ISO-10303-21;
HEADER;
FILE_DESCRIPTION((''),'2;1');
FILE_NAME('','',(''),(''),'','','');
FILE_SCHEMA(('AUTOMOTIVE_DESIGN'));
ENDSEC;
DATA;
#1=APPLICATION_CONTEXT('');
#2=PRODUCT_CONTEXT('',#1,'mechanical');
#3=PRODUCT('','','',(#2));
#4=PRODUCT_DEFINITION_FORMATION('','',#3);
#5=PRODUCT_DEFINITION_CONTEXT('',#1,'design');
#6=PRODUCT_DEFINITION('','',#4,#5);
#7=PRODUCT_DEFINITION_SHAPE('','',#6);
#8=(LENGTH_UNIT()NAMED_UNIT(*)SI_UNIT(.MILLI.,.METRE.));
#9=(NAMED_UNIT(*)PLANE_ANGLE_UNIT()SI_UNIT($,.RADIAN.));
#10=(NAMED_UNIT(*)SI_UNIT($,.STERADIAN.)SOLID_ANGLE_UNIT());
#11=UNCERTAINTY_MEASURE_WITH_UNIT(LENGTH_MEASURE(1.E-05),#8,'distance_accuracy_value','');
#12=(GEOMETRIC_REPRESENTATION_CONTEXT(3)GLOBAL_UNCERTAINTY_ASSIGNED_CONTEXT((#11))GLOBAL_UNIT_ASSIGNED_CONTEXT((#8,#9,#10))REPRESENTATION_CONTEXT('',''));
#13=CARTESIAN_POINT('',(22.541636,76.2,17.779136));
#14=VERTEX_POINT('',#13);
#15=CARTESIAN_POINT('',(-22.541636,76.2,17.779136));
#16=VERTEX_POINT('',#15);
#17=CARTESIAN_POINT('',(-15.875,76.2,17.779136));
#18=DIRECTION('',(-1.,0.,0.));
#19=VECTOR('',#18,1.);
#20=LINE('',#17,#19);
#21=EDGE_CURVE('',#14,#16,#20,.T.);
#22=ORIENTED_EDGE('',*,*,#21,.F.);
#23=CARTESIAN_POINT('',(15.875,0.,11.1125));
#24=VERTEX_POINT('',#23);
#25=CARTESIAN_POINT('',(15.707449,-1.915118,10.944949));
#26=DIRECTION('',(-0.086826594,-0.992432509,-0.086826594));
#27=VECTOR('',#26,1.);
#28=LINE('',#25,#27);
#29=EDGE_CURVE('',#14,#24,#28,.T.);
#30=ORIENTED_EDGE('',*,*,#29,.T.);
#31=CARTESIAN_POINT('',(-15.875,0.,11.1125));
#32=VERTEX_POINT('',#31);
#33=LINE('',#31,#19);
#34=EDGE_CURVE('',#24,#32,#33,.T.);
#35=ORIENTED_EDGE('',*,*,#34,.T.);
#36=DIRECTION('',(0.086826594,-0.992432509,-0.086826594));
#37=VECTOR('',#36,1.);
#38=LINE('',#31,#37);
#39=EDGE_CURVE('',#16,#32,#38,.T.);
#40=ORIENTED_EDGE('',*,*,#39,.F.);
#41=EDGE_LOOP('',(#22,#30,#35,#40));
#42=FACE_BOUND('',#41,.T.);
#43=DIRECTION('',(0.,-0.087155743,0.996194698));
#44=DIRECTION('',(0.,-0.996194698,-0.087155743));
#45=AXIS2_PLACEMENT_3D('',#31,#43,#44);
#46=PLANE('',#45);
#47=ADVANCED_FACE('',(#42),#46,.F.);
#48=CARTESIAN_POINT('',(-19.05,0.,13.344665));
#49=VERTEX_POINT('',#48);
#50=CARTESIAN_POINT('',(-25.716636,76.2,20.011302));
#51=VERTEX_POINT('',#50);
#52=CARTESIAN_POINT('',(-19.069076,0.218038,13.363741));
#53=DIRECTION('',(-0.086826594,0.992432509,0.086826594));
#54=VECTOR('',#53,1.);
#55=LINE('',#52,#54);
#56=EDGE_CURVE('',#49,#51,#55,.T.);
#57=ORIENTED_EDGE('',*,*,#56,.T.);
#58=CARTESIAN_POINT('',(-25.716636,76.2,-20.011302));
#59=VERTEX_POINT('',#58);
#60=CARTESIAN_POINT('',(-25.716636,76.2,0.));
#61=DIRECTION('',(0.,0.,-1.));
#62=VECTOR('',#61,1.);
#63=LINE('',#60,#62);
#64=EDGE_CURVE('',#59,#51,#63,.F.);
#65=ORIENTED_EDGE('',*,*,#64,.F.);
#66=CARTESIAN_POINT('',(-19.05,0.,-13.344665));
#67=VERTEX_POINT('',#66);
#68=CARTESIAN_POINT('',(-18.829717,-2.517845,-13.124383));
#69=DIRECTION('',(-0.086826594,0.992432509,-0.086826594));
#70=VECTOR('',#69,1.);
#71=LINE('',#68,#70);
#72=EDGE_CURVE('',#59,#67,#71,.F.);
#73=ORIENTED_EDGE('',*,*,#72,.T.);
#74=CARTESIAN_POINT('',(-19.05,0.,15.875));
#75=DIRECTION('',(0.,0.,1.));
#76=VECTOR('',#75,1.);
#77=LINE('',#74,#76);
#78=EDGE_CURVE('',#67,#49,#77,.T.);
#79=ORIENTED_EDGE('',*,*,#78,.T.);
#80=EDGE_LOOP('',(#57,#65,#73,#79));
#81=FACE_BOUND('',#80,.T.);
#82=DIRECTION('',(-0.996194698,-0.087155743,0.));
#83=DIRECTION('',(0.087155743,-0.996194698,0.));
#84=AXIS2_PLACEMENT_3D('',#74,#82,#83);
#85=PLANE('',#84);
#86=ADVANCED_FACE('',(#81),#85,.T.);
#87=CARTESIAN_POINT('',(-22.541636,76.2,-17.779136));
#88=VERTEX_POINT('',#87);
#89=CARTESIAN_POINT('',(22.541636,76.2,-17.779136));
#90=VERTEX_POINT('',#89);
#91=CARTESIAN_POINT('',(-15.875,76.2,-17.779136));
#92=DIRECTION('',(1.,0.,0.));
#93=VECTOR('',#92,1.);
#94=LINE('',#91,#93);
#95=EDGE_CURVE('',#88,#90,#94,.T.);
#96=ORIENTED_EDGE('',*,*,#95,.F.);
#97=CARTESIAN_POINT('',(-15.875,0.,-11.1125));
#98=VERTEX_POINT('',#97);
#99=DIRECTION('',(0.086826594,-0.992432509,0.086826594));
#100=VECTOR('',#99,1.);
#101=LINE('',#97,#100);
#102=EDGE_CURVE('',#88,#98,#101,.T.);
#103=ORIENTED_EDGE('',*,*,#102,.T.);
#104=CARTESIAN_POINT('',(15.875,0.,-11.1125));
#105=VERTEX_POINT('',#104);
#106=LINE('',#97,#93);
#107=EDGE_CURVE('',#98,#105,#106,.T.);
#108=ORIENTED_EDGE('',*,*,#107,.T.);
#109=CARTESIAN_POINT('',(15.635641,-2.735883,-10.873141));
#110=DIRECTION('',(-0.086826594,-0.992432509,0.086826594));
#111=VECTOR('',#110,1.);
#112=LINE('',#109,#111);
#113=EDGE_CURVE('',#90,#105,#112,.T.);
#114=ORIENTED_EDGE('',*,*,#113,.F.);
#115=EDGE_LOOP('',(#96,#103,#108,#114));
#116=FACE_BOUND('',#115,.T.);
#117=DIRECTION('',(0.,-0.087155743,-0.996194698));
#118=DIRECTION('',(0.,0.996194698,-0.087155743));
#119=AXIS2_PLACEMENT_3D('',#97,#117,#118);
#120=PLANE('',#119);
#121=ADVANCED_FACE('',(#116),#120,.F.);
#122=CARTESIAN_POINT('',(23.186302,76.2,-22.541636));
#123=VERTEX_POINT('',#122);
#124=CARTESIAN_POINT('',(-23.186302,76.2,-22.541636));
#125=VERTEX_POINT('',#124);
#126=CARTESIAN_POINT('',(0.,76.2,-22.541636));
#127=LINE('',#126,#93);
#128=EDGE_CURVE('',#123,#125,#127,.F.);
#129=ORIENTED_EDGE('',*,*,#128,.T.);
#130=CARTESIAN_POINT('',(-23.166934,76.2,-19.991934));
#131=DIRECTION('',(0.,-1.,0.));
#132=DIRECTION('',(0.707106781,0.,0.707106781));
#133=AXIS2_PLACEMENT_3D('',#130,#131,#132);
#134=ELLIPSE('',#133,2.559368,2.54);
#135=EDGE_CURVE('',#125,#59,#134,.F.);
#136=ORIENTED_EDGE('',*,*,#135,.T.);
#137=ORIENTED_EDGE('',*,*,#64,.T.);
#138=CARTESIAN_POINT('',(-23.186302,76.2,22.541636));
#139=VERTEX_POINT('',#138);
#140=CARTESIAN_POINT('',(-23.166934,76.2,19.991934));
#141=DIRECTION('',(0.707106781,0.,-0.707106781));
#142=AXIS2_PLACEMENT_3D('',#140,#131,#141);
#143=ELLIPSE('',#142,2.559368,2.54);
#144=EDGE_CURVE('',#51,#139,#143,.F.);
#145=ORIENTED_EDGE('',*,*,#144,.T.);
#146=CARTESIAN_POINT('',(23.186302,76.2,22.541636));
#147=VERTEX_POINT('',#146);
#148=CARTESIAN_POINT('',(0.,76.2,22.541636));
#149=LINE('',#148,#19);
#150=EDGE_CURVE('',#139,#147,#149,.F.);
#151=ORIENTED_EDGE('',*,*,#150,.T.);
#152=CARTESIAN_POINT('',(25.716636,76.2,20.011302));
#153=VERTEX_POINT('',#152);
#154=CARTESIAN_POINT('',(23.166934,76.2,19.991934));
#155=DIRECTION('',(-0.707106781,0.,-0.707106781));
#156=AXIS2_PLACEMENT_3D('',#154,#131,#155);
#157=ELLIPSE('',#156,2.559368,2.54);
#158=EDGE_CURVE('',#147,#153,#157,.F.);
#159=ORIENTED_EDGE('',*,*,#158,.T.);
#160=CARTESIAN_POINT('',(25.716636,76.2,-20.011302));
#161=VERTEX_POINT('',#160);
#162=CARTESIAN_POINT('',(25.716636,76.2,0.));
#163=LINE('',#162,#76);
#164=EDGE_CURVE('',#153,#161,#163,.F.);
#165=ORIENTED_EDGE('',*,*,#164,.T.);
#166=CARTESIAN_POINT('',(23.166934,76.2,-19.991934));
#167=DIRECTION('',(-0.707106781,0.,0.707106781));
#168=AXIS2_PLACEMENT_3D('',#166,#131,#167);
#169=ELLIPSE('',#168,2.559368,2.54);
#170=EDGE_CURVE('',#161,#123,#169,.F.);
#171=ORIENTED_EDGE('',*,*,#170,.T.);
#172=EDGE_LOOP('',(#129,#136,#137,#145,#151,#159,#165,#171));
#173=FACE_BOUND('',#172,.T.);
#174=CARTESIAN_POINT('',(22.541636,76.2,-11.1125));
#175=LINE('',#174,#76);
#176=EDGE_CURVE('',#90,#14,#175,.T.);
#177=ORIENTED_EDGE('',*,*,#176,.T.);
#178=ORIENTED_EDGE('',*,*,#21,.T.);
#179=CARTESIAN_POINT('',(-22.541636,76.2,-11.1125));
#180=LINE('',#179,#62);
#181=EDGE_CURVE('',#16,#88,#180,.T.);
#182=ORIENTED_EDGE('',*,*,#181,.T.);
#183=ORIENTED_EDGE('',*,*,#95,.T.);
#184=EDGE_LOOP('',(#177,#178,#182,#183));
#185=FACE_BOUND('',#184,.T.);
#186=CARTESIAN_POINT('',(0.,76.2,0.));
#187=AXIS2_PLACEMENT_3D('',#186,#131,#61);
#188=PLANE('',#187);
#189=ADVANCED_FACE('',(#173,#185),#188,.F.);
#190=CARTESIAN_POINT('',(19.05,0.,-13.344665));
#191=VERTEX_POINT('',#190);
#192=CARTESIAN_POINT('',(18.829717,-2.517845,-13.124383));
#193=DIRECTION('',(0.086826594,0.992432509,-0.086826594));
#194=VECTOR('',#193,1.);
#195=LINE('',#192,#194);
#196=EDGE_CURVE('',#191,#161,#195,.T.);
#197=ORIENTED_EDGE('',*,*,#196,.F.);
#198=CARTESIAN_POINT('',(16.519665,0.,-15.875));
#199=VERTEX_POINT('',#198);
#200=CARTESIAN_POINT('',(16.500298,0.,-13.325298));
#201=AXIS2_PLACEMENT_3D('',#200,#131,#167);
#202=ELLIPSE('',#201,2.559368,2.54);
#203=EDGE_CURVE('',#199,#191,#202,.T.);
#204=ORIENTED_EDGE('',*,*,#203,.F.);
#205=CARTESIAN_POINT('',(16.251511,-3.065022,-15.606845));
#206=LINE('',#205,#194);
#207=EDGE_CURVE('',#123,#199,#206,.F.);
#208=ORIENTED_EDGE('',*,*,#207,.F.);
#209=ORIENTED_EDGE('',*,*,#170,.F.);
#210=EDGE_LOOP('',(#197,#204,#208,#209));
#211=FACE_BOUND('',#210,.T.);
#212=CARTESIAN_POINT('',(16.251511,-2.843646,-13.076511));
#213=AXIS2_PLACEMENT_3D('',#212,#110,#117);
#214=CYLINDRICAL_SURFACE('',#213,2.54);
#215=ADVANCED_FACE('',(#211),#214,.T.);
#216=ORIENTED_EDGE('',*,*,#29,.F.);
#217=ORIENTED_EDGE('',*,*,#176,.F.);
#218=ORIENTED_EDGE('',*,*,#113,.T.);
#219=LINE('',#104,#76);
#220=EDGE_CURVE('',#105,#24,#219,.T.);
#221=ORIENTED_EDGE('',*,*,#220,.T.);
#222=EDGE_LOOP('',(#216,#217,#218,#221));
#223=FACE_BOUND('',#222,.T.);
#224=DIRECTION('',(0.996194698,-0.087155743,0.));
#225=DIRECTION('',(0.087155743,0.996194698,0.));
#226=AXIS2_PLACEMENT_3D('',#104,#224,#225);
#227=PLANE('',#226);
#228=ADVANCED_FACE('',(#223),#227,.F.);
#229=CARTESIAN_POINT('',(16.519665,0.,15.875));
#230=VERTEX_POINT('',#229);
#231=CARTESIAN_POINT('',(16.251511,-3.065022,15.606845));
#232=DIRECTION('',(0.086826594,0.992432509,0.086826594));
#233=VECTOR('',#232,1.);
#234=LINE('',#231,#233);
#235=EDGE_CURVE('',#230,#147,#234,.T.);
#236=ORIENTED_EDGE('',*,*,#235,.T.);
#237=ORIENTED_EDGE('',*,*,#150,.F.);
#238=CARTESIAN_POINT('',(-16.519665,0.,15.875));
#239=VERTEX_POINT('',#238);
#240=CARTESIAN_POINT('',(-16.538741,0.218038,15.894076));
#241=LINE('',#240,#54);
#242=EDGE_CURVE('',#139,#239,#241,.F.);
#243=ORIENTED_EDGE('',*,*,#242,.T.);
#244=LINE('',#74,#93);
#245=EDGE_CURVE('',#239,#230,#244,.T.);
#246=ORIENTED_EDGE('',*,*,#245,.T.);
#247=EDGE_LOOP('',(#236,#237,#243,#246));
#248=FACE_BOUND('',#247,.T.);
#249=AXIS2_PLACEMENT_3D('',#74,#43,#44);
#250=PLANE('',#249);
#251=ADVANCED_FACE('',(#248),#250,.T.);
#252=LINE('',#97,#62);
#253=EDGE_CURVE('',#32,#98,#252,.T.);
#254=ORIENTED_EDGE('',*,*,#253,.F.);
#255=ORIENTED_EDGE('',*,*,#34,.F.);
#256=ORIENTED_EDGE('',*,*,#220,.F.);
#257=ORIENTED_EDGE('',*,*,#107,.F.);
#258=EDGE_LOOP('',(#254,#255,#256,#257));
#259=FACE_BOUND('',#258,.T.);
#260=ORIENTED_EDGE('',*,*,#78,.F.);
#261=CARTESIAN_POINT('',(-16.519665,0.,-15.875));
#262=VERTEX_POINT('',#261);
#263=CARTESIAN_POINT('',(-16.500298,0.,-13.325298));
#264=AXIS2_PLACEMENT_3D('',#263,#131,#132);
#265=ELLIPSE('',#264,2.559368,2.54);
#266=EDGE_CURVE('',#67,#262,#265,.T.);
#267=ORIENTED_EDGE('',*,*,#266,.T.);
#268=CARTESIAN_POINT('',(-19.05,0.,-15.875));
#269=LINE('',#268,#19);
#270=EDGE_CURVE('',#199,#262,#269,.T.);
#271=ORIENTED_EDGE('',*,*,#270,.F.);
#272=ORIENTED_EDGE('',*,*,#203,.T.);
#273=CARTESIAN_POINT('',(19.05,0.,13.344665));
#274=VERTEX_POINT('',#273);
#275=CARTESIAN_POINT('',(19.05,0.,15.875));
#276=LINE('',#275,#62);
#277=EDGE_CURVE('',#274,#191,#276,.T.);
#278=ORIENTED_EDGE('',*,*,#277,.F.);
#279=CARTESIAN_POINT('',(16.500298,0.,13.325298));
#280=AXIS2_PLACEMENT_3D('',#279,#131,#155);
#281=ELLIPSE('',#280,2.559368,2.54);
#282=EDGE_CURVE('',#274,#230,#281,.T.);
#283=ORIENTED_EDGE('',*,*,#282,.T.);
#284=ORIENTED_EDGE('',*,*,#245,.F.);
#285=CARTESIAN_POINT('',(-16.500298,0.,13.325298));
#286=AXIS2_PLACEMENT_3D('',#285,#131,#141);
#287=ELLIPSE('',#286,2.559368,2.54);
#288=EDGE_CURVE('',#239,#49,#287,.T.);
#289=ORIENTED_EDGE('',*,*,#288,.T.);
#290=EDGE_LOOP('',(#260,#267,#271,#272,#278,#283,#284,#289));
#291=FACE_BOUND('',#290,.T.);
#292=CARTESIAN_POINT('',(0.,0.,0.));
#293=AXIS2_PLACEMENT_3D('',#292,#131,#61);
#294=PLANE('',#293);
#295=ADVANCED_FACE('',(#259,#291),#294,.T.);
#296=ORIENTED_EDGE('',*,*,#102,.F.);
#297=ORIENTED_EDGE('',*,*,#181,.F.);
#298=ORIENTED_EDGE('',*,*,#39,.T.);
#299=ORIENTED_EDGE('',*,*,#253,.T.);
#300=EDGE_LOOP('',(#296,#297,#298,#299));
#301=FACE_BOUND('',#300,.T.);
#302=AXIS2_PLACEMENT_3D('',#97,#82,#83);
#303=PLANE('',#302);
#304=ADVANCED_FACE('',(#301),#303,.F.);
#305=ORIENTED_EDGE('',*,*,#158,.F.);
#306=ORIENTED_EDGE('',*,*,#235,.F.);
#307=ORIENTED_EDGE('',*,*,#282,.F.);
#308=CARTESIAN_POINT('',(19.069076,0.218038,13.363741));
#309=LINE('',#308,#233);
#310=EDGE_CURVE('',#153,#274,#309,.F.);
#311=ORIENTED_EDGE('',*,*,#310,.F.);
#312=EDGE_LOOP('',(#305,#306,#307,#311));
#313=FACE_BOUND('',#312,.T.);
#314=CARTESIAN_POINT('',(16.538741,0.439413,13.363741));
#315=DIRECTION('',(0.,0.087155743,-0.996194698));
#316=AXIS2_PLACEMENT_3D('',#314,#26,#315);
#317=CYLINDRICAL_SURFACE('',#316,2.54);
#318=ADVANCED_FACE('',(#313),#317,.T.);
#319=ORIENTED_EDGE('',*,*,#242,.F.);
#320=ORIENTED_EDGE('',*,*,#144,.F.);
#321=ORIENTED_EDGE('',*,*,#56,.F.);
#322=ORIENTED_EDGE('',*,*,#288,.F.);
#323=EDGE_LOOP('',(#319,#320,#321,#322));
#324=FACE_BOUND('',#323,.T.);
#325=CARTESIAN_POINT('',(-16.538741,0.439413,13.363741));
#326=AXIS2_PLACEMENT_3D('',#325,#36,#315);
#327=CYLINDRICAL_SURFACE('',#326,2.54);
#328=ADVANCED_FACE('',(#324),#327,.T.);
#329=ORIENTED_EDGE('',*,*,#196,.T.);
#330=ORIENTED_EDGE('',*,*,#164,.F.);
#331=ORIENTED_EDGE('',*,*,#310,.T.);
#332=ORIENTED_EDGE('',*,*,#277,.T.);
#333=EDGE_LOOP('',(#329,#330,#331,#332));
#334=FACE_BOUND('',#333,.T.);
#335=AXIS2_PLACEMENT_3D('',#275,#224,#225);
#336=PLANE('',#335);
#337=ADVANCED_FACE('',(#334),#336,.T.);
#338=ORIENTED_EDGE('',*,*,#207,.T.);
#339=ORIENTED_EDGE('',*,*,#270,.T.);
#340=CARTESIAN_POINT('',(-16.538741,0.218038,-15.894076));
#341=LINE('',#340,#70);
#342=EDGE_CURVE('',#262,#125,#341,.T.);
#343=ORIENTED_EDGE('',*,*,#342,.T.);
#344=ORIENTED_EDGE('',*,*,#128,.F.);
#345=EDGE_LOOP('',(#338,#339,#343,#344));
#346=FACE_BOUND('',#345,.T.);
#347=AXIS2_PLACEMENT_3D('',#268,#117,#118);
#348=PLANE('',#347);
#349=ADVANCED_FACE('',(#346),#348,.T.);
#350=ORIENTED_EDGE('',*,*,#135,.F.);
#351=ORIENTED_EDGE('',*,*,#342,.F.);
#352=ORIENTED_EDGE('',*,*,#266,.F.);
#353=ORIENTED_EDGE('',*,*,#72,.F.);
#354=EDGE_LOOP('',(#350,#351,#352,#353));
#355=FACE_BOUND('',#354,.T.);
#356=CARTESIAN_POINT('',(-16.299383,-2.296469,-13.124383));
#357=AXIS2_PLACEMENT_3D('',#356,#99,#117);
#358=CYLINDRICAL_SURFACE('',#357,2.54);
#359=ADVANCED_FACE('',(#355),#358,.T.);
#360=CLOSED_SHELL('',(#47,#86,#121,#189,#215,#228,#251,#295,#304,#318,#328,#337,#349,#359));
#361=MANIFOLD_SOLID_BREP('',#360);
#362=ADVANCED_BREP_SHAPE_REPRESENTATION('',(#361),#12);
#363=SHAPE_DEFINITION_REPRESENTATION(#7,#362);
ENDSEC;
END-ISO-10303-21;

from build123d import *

# Parameters (mm, degrees)
SKETCH1_W           = 38.1
SKETCH1_H           = 31.75
BOSS_EXTRUDE1_DEPTH = 76.2
BOSS_EXTRUDE1_DRAFT = -5
SKETCH3_W           = 31.75
SKETCH3_H           = 22.225
CUT_EXTRUDE1_DEPTH  = 84.5219177
CUT_EXTRUDE1_DRAFT  = 5
FILLET1_R           = 2.54


with BuildPart() as part:
    # Sketch1 → Boss-Extrude1 (with draft: the straight prism first)
    with BuildSketch(Plane(origin=(0, 0, 0), x_dir=(1, 0, 0), z_dir=(0, 1, 0))):
        Rectangle(SKETCH1_W, SKETCH1_H)
    extrude(amount=BOSS_EXTRUDE1_DEPTH)
    # Boss-Extrude1: the draft: its side faces are tilted about the plane it starts from
    boss_extrude1_sides = [part.faces().sort_by_distance(p)[0] for p in [
        (0, 38.1, 15.875),
        (19.05, 38.1, 0),
        (0, 38.1, -15.875),
        (-19.05, 38.1, 0),
    ]]
    draft(boss_extrude1_sides, Plane(origin=(0, 0, 0), x_dir=(1, 0, 0), z_dir=(0, 1, 0)), BOSS_EXTRUDE1_DRAFT)


with BuildPart() as cut_extrude1_tool:
    # Sketch3 → Cut-Extrude1 (with draft: the straight prism first)
    with BuildSketch(Plane.XZ):
        Rectangle(SKETCH3_W, SKETCH3_H)
    extrude(amount=-CUT_EXTRUDE1_DEPTH)
    # Cut-Extrude1: the draft: its side faces are tilted about the plane it starts from
    cut_extrude1_sides = [cut_extrude1_tool.faces().sort_by_distance(p)[0] for p in [
        (0, 42.26095885, -11.1125),
        (15.875, 42.26095885, 0),
        (0, 42.26095885, 11.1125),
        (-15.875, 42.26095885, 0),
    ]]
    draft(cut_extrude1_sides, Plane.XZ, CUT_EXTRUDE1_DRAFT)


with BuildPart() as part_1:
    add(part.part)

    # Cut-Extrude1: cut by cut_extrude1_tool
    add(cut_extrude1_tool.part, mode=Mode.SUBTRACT)

    # Fillet1
    fillet1_edges = [part_1.edges().sort_by_distance(p)[0] for p in [
        (22.38331808, 38.1, 19.20831808),
        (-22.38331808, 38.1, 19.20831808),
        (-22.38331808, 38.1, -19.20831808),
        (22.38331808, 38.1, -19.20831808),
    ]]
    fillet(fillet1_edges, radius=FILLET1_R)


solid = part_1.part
